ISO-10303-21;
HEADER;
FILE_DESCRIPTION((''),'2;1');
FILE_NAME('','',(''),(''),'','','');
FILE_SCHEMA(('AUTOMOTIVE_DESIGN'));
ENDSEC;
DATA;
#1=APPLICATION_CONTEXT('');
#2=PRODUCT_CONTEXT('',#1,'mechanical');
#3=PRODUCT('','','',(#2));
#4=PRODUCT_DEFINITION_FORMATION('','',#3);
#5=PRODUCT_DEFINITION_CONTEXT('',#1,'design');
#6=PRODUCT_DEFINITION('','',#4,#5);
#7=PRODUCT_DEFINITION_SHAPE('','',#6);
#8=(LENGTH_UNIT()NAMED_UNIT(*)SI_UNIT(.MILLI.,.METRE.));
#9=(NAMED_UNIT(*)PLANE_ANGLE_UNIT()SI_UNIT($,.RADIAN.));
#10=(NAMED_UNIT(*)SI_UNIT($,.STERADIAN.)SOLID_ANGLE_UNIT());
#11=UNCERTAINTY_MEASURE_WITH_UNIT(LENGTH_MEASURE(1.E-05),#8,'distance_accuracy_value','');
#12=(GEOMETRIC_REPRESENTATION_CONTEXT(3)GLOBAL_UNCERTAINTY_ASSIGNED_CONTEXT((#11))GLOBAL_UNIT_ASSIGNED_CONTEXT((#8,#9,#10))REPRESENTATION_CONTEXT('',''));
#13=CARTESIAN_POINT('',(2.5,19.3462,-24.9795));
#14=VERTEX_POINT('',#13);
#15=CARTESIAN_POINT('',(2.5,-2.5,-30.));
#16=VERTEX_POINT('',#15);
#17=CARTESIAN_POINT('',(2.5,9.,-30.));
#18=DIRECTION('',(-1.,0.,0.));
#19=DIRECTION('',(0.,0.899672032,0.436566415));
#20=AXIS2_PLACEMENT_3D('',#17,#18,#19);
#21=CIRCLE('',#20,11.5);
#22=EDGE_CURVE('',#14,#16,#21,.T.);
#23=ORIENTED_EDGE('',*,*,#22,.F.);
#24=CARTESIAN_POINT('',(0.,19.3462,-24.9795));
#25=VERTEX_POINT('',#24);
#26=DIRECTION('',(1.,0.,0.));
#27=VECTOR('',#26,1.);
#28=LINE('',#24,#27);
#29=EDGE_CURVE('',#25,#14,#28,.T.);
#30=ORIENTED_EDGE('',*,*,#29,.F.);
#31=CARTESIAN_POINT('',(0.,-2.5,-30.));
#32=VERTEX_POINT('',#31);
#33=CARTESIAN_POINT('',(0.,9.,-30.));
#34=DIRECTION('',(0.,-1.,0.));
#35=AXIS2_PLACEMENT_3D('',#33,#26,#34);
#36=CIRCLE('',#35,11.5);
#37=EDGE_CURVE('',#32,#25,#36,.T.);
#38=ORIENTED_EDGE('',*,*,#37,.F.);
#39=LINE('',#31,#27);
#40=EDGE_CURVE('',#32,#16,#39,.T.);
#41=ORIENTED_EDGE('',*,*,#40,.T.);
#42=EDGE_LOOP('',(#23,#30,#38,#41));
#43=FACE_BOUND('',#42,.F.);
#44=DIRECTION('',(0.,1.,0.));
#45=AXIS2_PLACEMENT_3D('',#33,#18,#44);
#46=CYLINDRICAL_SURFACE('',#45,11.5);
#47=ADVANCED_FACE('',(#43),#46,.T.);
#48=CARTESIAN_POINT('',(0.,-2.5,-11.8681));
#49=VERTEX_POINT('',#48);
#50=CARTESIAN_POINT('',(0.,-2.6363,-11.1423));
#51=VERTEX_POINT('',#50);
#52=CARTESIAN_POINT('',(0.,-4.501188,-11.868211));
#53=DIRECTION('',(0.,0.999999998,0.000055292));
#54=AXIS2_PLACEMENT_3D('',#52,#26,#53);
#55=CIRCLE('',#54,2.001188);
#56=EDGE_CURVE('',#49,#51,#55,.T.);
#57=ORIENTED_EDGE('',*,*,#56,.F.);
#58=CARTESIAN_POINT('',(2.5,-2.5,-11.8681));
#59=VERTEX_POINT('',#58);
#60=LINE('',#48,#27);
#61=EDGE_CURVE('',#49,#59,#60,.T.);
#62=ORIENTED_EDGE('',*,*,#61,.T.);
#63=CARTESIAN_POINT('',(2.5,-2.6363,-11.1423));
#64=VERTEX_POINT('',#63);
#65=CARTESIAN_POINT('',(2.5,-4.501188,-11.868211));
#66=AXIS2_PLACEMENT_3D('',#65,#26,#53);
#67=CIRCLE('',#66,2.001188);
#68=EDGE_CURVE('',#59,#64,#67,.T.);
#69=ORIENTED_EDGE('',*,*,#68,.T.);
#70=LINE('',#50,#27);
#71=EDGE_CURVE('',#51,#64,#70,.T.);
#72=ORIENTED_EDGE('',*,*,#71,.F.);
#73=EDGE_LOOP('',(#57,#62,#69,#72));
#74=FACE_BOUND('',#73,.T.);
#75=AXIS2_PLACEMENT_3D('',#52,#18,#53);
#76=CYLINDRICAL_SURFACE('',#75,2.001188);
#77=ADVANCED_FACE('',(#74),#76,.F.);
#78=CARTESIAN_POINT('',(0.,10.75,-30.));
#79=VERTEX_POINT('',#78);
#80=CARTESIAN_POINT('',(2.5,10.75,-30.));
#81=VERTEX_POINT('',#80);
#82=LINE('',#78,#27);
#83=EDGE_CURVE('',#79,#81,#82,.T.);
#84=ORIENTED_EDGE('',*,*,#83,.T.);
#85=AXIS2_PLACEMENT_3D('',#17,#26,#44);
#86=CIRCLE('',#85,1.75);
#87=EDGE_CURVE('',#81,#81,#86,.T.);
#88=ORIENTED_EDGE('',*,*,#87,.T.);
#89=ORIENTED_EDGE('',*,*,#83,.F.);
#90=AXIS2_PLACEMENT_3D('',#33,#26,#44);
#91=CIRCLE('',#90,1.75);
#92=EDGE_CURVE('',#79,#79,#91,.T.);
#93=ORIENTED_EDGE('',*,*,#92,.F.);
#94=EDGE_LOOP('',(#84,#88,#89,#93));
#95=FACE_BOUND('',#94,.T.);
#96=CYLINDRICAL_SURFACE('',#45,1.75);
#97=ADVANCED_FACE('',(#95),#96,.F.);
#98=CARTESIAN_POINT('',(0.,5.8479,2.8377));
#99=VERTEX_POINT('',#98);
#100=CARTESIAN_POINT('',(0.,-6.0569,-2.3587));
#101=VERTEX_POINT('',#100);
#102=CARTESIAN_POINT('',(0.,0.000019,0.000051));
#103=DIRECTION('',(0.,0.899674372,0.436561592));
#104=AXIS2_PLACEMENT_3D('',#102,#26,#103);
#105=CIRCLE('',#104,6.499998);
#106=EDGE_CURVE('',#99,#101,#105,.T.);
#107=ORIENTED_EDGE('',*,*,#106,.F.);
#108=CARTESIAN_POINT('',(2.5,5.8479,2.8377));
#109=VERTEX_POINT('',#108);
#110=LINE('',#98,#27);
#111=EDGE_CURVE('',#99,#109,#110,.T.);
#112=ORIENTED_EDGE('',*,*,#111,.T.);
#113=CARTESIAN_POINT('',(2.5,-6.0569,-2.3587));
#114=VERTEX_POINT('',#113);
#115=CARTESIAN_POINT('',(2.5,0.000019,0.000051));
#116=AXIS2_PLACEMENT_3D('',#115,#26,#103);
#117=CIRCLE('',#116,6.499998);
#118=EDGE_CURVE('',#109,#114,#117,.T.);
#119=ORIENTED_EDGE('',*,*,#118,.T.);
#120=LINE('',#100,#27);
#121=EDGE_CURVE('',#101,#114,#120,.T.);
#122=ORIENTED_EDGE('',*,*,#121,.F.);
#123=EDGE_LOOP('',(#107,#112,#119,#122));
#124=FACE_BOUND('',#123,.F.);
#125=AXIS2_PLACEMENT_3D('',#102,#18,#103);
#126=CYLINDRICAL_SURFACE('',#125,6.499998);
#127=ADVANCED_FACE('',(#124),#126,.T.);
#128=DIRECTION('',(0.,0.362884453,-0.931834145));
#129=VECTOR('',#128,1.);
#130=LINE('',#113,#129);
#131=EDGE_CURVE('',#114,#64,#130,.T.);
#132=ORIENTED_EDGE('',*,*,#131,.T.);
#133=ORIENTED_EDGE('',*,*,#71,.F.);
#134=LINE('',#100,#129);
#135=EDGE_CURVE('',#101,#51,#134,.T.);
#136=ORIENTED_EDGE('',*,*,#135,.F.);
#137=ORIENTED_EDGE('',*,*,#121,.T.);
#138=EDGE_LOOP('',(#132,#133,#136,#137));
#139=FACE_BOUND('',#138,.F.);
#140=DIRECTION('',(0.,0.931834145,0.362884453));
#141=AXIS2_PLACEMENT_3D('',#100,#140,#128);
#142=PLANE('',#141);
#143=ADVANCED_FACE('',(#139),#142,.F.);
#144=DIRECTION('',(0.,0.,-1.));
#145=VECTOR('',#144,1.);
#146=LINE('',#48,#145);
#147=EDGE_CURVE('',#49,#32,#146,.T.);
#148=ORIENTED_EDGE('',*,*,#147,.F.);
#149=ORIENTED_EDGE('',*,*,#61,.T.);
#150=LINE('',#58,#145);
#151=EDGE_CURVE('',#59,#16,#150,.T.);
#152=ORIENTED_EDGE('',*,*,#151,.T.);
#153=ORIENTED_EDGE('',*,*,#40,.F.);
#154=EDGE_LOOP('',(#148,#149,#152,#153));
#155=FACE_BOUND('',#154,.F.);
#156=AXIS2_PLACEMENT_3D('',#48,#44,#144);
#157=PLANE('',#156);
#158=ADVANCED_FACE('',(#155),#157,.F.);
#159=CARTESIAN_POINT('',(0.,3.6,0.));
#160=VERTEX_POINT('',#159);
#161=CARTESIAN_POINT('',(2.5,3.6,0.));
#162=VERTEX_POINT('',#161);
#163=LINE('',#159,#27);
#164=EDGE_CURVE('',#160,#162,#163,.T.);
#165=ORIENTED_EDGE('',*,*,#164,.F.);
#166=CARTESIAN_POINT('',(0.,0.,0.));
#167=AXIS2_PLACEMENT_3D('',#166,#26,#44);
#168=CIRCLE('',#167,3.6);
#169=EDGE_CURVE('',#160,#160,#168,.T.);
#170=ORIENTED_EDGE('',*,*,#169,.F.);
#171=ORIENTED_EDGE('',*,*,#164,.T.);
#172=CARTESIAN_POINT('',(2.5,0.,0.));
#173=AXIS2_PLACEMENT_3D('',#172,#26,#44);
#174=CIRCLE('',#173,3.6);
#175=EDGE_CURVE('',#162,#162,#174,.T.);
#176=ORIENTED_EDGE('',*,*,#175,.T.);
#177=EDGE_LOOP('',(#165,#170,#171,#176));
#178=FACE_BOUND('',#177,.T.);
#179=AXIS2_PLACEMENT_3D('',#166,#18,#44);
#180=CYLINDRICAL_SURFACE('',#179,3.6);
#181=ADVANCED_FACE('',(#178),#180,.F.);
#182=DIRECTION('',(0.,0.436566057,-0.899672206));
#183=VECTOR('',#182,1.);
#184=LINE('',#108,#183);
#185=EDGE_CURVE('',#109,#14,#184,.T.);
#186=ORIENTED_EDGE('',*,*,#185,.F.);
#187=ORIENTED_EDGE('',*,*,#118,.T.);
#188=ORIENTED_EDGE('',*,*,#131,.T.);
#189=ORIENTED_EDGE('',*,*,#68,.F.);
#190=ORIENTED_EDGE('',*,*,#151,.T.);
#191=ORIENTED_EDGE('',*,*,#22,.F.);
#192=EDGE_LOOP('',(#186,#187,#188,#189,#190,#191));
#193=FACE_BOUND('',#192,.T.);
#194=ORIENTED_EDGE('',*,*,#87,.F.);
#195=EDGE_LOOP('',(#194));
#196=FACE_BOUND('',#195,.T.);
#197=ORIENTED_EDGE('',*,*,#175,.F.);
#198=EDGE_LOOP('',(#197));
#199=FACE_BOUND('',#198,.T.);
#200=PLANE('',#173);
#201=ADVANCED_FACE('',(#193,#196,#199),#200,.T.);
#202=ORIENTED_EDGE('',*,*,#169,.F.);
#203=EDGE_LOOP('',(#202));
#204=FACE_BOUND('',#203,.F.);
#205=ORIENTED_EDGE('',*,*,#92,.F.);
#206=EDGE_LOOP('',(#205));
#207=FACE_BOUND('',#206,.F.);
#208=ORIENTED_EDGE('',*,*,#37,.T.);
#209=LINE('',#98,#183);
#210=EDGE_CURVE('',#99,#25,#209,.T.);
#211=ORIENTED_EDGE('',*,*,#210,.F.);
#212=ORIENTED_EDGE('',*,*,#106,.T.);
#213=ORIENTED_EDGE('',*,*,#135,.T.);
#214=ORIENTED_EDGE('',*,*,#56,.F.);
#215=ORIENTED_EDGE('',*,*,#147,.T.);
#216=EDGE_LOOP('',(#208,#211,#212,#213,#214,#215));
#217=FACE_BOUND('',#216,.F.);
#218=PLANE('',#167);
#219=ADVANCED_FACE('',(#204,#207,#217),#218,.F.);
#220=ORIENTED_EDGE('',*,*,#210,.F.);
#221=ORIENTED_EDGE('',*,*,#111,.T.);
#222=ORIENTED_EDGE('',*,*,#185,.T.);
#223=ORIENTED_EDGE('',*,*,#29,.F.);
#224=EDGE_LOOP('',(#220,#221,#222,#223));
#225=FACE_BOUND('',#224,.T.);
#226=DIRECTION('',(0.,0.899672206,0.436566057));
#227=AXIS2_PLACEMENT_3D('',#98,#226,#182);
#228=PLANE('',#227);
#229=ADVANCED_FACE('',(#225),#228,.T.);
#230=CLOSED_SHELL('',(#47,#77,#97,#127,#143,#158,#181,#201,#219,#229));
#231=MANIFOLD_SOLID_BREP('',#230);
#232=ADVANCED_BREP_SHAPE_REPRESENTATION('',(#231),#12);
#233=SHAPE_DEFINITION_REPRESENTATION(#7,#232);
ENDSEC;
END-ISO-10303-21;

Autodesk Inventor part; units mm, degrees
ref_plane "YZ Plane" through (0, 0, 0) normal (1, 0, 0) x (0, 1, 0)
ref_plane "XZ Plane" through (0, 0, 0) normal (0, 1, 0) x (-1, 0, 0)
ref_plane "XY Plane" through (0, 0, 0) normal (0, 0, 1) x (1, 0, 0)
sketch "スケッチ1" plane through (0, 0, 0) normal (1, 0, 0) x (0, 1, 0)
  circle A0 centre (0, 0) radius 3.6
  arc A1 (5.8479, 2.8377) -> (-6.0569, -2.3587) centre (0, 0) ccw
  line L0 (-6.0569, -2.3587) -> (-2.6363, -11.1423)
  line L1 (-2.5, -11.8681) -> (-2.5, -30)
  line L2 (0, -54.5111) -> (0, 19.0665) construction
  circle A2 centre (0, 0) radius 5 construction
  line L3 (4.8885, 1.0499) -> (11.4443, -29.4751) construction
  line L4 (-4.6592, -1.8144) -> (6.6704, -30.9072) construction
  circle A3 centre (9, -30) radius 14 construction
  circle A4 centre (9, -30) radius 2.5 construction
  circle A5 centre (9, -30) radius 11.5
  arc A6 (-2.5, -11.8681) -> (-2.6363, -11.1423) centre (-4.5, -11.8681) ccw
  line L5 (5.8479, 2.8377) -> (19.3462, -24.9795)
  circle A7 centre (9, -30) radius 1.75
  point P0 (-2.5, -11.4924)
  point P1 (19.0229, -24.3617)
  point P2 (12.8525, -11.5974)
  point P3 (14.5988, -15.1961)
  dimension "d0" = 7.2
  dimension "d1" = 6.5
  dimension "d3" = 10
  dimension "d4" = 28
  dimension "d5" = 5
  dimension "d6" = 23
  dimension "d10" = 30
  dimension "d11" = 9
  dimension "d12" = 3.5
  dimension "d13" = 2
extrude "押し出し1" add sketch "スケッチ1" along normal blind 2.5
properties part number "Gear_Cover"
